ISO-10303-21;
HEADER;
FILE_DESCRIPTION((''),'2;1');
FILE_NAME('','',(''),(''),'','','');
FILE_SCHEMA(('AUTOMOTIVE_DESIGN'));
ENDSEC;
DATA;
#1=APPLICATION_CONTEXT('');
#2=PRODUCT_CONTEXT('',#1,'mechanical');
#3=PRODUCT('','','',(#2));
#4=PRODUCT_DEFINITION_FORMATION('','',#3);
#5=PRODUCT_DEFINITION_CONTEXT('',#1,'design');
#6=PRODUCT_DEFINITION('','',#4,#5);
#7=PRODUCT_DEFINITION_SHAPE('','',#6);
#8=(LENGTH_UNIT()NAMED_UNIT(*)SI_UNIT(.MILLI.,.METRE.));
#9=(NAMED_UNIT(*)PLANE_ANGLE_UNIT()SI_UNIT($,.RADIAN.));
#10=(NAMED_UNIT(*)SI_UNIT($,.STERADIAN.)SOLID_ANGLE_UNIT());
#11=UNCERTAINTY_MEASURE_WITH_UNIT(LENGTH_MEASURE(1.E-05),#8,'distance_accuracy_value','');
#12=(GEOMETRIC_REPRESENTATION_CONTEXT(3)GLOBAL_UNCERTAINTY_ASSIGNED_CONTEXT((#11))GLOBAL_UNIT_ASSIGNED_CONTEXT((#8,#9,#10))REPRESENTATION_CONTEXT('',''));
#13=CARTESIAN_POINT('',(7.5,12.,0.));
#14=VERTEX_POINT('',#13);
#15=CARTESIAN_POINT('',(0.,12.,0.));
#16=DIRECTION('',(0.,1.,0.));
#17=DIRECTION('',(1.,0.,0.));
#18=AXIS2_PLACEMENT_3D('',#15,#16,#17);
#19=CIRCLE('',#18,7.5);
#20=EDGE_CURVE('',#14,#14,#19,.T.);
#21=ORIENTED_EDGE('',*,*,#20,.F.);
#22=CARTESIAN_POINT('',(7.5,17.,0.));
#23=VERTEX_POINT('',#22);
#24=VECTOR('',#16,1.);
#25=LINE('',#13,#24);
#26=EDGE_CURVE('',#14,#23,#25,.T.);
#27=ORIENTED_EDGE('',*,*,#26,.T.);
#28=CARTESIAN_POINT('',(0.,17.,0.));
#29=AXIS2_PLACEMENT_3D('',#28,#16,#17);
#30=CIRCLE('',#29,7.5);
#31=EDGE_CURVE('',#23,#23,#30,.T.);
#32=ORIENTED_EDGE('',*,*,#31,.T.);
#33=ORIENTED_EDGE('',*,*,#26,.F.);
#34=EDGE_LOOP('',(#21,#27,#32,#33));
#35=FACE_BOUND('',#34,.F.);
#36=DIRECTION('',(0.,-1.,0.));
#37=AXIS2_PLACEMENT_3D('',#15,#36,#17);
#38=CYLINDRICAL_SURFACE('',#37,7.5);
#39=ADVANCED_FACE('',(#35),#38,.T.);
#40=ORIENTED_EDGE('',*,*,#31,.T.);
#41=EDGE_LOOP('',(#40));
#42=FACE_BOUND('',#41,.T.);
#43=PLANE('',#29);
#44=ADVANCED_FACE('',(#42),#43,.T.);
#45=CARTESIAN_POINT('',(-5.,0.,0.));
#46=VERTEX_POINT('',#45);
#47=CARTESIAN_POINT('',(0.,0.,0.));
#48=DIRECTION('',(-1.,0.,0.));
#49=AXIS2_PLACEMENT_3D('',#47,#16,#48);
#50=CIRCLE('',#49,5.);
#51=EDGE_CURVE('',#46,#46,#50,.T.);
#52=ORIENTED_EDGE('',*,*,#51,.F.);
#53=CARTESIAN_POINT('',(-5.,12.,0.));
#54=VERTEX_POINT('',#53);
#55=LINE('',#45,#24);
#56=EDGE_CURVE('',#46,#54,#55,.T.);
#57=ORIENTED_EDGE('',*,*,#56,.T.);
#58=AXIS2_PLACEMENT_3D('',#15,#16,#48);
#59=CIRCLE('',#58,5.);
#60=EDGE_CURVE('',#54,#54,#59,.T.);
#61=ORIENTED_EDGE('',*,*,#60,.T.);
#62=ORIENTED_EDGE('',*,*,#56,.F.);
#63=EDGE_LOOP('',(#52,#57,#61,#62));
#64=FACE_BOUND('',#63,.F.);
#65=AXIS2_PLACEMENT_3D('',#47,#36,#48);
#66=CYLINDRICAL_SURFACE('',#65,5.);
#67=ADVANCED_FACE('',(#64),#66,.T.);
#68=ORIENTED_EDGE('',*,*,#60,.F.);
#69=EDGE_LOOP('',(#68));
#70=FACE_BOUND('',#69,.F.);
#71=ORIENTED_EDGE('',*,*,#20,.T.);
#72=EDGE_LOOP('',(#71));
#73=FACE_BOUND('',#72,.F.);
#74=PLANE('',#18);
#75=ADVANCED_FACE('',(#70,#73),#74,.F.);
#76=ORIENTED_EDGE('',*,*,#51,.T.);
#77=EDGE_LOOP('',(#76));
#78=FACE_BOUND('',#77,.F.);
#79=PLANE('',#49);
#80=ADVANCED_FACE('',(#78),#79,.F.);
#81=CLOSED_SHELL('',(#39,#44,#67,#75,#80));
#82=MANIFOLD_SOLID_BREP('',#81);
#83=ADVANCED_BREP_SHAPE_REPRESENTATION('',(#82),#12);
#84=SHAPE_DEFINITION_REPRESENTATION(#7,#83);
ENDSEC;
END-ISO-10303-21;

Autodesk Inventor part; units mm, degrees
ref_plane "YZ Plane" through (0, 0, 0) normal (1, 0, 0) x (0, 1, 0)
ref_plane "XZ Plane" through (0, 0, 0) normal (0, 1, 0) x (-1, 0, 0)
ref_plane "XY Plane" through (0, 0, 0) normal (0, 0, 1) x (1, 0, 0)
sketch "Sketch1" plane through (0, 0, 0) normal (0, 1, 0) x (-1, 0, 0)
  circle A0 centre (0, 0) radius 5
  dimension "d0" = 10
extrude "Extrusion1" add sketch "Sketch1" along normal blind 12
sketch "Sketch2" plane through (0, 12, 0) normal (0, 1, 0) x (1, 0, 0)
  circle A0 centre (0, 0) radius 7.5
  dimension "d3" = 15
extrude "Extrusion2" add sketch "Sketch2" along normal blind 5
properties part number "lock"
